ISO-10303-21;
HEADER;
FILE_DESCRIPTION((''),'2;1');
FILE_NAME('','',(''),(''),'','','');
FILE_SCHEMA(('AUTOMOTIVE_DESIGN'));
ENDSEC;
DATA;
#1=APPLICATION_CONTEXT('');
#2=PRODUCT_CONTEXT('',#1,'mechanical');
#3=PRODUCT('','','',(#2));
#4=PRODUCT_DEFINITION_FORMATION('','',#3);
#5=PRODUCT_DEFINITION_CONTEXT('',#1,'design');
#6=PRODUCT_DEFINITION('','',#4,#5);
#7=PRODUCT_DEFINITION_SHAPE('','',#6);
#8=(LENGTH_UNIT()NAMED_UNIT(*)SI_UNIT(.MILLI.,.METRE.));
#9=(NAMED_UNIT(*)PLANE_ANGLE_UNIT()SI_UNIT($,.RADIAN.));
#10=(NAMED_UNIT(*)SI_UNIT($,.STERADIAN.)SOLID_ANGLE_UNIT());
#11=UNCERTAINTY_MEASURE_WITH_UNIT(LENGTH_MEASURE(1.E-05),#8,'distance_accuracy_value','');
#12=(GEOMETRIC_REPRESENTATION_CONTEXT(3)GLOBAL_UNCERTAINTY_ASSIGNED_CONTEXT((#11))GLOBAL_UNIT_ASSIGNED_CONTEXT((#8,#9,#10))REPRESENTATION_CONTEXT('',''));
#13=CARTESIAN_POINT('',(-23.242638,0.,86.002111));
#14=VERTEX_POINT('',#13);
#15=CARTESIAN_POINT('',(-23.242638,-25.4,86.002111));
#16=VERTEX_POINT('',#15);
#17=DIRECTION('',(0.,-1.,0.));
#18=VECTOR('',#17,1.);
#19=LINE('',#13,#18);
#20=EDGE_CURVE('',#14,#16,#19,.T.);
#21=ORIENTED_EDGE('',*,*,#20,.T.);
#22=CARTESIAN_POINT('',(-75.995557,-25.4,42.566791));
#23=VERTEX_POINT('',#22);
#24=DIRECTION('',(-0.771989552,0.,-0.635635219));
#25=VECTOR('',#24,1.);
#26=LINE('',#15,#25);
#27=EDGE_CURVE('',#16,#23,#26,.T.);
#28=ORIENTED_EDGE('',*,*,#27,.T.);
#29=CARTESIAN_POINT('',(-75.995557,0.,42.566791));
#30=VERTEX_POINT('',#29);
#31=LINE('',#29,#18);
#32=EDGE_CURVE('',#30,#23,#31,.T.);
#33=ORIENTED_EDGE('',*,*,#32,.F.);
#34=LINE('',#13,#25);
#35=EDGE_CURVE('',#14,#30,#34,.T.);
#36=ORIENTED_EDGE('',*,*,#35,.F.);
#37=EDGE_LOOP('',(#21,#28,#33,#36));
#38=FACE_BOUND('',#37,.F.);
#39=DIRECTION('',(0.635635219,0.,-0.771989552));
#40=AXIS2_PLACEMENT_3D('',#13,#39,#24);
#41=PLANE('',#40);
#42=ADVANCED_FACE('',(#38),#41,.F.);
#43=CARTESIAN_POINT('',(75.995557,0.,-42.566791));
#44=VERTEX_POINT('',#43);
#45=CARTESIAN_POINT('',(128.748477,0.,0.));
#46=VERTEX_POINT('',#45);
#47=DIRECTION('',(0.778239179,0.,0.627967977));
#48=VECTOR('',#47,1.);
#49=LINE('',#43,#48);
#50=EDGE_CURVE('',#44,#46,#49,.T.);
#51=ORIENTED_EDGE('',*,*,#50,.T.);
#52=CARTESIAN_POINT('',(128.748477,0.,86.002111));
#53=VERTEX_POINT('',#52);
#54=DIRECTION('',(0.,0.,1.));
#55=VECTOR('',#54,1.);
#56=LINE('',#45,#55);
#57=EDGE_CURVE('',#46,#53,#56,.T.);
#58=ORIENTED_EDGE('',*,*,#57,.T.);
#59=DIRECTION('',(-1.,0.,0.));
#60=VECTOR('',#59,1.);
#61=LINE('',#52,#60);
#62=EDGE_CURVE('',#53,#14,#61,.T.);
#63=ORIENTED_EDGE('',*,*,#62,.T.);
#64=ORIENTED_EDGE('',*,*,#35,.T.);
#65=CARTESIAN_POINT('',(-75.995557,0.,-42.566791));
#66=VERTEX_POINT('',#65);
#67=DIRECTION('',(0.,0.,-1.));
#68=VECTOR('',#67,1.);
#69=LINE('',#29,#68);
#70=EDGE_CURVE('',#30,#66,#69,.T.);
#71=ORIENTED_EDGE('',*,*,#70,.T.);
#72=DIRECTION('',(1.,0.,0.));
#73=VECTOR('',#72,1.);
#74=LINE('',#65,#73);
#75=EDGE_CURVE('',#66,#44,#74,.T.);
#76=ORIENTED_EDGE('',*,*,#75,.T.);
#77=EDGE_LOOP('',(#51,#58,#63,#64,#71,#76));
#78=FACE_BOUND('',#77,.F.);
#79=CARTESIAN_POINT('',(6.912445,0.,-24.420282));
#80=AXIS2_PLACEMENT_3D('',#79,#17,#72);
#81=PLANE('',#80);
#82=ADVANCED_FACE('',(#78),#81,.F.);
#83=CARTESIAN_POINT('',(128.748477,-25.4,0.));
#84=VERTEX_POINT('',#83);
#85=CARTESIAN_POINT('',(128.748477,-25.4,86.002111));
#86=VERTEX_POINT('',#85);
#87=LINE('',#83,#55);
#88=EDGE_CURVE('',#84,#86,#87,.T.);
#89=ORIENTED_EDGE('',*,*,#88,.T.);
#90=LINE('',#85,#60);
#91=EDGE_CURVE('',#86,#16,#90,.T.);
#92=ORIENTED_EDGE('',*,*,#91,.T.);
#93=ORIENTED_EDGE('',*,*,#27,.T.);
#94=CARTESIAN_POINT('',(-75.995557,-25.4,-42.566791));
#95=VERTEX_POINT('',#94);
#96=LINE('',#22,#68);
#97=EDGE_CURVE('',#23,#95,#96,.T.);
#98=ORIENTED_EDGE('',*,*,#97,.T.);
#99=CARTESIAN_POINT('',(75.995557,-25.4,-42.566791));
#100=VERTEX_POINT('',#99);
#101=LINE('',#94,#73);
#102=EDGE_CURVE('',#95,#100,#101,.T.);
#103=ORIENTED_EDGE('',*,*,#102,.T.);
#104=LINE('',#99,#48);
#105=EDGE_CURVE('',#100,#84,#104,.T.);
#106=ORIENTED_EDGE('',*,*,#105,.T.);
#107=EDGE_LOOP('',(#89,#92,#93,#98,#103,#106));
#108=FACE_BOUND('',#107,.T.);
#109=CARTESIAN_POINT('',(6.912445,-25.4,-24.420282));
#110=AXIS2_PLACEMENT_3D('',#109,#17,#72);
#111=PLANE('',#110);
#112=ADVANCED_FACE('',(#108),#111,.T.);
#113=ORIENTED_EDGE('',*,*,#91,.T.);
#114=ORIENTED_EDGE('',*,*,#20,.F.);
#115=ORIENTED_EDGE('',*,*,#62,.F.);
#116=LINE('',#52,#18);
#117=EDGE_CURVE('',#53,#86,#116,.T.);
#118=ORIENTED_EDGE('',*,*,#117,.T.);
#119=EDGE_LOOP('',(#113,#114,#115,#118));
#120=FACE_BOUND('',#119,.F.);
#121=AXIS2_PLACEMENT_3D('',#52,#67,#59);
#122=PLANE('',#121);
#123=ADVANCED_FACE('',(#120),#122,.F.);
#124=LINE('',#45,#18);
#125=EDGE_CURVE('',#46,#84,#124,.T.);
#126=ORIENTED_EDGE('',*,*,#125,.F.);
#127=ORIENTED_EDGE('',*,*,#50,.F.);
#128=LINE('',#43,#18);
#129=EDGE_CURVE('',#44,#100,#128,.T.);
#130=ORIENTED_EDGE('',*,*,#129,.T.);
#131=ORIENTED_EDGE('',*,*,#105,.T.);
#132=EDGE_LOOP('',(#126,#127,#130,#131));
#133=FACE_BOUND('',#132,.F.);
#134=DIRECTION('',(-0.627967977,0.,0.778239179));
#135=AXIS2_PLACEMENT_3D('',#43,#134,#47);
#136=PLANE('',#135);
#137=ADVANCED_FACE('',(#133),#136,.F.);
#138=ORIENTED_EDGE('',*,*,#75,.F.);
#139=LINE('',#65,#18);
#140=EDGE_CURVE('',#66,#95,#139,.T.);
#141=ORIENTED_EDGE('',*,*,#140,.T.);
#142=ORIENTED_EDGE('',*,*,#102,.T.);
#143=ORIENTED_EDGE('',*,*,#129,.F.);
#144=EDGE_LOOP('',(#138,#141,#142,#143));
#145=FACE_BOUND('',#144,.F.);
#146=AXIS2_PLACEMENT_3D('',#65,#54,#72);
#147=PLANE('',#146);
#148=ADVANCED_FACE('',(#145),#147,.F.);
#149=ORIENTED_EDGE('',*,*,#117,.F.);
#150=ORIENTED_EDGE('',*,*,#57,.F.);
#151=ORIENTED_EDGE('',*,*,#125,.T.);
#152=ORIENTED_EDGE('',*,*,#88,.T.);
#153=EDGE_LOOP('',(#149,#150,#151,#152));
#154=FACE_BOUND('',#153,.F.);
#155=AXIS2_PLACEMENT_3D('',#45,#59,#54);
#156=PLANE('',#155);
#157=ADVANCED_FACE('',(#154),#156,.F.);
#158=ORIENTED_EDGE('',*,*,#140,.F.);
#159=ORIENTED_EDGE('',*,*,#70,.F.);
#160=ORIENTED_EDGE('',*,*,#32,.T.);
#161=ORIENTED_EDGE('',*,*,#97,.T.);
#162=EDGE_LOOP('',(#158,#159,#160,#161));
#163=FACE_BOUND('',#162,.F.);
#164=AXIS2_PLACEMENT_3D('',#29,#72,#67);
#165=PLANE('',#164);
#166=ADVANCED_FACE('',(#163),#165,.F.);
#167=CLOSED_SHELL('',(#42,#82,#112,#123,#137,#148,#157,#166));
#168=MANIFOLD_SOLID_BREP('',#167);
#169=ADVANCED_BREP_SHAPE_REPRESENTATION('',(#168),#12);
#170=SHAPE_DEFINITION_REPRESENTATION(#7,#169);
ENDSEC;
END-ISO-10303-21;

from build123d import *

# Parameters (mm, degrees)
F1_DEPTH = 25.4


with BuildPart() as f1:
    # F0 (on Front) → F1 (new body)
    with BuildSketch(Plane.XZ):
        Polygon((-75.995557, -42.566791), (75.995557, -42.566791), (75.995557, 0), (-18.541871, 0), (-22.720322, 0), align=None)
        Polygon((75.995557, 0), (75.995557, -42.566791), (128.748477, 0), align=None)
        Polygon((-75.995557, 42.566791), (-75.995557, -42.566791), (-22.720322, 0), (-22.978842, 42.566791), align=None)
        Polygon((75.995557, 42.566791), (75.995557, 0), (128.748477, 0), (128.748477, 86.002111), align=None)
        Polygon((-23.242638, 86.002111), (-75.995557, 42.566791), (-22.978842, 42.566791), align=None)
        Polygon((-22.978842, 42.566791), (75.995557, 42.566791), (128.748477, 86.002111), (0, 86.002111), (-23.242638, 86.002111), align=None)
        Polygon((-18.541871, 0), (75.995557, 0), (75.995557, 42.566791), (-22.978842, 42.566791), (-22.720322, 0), align=None)
    extrude(amount=F1_DEPTH)


solid = f1.part
